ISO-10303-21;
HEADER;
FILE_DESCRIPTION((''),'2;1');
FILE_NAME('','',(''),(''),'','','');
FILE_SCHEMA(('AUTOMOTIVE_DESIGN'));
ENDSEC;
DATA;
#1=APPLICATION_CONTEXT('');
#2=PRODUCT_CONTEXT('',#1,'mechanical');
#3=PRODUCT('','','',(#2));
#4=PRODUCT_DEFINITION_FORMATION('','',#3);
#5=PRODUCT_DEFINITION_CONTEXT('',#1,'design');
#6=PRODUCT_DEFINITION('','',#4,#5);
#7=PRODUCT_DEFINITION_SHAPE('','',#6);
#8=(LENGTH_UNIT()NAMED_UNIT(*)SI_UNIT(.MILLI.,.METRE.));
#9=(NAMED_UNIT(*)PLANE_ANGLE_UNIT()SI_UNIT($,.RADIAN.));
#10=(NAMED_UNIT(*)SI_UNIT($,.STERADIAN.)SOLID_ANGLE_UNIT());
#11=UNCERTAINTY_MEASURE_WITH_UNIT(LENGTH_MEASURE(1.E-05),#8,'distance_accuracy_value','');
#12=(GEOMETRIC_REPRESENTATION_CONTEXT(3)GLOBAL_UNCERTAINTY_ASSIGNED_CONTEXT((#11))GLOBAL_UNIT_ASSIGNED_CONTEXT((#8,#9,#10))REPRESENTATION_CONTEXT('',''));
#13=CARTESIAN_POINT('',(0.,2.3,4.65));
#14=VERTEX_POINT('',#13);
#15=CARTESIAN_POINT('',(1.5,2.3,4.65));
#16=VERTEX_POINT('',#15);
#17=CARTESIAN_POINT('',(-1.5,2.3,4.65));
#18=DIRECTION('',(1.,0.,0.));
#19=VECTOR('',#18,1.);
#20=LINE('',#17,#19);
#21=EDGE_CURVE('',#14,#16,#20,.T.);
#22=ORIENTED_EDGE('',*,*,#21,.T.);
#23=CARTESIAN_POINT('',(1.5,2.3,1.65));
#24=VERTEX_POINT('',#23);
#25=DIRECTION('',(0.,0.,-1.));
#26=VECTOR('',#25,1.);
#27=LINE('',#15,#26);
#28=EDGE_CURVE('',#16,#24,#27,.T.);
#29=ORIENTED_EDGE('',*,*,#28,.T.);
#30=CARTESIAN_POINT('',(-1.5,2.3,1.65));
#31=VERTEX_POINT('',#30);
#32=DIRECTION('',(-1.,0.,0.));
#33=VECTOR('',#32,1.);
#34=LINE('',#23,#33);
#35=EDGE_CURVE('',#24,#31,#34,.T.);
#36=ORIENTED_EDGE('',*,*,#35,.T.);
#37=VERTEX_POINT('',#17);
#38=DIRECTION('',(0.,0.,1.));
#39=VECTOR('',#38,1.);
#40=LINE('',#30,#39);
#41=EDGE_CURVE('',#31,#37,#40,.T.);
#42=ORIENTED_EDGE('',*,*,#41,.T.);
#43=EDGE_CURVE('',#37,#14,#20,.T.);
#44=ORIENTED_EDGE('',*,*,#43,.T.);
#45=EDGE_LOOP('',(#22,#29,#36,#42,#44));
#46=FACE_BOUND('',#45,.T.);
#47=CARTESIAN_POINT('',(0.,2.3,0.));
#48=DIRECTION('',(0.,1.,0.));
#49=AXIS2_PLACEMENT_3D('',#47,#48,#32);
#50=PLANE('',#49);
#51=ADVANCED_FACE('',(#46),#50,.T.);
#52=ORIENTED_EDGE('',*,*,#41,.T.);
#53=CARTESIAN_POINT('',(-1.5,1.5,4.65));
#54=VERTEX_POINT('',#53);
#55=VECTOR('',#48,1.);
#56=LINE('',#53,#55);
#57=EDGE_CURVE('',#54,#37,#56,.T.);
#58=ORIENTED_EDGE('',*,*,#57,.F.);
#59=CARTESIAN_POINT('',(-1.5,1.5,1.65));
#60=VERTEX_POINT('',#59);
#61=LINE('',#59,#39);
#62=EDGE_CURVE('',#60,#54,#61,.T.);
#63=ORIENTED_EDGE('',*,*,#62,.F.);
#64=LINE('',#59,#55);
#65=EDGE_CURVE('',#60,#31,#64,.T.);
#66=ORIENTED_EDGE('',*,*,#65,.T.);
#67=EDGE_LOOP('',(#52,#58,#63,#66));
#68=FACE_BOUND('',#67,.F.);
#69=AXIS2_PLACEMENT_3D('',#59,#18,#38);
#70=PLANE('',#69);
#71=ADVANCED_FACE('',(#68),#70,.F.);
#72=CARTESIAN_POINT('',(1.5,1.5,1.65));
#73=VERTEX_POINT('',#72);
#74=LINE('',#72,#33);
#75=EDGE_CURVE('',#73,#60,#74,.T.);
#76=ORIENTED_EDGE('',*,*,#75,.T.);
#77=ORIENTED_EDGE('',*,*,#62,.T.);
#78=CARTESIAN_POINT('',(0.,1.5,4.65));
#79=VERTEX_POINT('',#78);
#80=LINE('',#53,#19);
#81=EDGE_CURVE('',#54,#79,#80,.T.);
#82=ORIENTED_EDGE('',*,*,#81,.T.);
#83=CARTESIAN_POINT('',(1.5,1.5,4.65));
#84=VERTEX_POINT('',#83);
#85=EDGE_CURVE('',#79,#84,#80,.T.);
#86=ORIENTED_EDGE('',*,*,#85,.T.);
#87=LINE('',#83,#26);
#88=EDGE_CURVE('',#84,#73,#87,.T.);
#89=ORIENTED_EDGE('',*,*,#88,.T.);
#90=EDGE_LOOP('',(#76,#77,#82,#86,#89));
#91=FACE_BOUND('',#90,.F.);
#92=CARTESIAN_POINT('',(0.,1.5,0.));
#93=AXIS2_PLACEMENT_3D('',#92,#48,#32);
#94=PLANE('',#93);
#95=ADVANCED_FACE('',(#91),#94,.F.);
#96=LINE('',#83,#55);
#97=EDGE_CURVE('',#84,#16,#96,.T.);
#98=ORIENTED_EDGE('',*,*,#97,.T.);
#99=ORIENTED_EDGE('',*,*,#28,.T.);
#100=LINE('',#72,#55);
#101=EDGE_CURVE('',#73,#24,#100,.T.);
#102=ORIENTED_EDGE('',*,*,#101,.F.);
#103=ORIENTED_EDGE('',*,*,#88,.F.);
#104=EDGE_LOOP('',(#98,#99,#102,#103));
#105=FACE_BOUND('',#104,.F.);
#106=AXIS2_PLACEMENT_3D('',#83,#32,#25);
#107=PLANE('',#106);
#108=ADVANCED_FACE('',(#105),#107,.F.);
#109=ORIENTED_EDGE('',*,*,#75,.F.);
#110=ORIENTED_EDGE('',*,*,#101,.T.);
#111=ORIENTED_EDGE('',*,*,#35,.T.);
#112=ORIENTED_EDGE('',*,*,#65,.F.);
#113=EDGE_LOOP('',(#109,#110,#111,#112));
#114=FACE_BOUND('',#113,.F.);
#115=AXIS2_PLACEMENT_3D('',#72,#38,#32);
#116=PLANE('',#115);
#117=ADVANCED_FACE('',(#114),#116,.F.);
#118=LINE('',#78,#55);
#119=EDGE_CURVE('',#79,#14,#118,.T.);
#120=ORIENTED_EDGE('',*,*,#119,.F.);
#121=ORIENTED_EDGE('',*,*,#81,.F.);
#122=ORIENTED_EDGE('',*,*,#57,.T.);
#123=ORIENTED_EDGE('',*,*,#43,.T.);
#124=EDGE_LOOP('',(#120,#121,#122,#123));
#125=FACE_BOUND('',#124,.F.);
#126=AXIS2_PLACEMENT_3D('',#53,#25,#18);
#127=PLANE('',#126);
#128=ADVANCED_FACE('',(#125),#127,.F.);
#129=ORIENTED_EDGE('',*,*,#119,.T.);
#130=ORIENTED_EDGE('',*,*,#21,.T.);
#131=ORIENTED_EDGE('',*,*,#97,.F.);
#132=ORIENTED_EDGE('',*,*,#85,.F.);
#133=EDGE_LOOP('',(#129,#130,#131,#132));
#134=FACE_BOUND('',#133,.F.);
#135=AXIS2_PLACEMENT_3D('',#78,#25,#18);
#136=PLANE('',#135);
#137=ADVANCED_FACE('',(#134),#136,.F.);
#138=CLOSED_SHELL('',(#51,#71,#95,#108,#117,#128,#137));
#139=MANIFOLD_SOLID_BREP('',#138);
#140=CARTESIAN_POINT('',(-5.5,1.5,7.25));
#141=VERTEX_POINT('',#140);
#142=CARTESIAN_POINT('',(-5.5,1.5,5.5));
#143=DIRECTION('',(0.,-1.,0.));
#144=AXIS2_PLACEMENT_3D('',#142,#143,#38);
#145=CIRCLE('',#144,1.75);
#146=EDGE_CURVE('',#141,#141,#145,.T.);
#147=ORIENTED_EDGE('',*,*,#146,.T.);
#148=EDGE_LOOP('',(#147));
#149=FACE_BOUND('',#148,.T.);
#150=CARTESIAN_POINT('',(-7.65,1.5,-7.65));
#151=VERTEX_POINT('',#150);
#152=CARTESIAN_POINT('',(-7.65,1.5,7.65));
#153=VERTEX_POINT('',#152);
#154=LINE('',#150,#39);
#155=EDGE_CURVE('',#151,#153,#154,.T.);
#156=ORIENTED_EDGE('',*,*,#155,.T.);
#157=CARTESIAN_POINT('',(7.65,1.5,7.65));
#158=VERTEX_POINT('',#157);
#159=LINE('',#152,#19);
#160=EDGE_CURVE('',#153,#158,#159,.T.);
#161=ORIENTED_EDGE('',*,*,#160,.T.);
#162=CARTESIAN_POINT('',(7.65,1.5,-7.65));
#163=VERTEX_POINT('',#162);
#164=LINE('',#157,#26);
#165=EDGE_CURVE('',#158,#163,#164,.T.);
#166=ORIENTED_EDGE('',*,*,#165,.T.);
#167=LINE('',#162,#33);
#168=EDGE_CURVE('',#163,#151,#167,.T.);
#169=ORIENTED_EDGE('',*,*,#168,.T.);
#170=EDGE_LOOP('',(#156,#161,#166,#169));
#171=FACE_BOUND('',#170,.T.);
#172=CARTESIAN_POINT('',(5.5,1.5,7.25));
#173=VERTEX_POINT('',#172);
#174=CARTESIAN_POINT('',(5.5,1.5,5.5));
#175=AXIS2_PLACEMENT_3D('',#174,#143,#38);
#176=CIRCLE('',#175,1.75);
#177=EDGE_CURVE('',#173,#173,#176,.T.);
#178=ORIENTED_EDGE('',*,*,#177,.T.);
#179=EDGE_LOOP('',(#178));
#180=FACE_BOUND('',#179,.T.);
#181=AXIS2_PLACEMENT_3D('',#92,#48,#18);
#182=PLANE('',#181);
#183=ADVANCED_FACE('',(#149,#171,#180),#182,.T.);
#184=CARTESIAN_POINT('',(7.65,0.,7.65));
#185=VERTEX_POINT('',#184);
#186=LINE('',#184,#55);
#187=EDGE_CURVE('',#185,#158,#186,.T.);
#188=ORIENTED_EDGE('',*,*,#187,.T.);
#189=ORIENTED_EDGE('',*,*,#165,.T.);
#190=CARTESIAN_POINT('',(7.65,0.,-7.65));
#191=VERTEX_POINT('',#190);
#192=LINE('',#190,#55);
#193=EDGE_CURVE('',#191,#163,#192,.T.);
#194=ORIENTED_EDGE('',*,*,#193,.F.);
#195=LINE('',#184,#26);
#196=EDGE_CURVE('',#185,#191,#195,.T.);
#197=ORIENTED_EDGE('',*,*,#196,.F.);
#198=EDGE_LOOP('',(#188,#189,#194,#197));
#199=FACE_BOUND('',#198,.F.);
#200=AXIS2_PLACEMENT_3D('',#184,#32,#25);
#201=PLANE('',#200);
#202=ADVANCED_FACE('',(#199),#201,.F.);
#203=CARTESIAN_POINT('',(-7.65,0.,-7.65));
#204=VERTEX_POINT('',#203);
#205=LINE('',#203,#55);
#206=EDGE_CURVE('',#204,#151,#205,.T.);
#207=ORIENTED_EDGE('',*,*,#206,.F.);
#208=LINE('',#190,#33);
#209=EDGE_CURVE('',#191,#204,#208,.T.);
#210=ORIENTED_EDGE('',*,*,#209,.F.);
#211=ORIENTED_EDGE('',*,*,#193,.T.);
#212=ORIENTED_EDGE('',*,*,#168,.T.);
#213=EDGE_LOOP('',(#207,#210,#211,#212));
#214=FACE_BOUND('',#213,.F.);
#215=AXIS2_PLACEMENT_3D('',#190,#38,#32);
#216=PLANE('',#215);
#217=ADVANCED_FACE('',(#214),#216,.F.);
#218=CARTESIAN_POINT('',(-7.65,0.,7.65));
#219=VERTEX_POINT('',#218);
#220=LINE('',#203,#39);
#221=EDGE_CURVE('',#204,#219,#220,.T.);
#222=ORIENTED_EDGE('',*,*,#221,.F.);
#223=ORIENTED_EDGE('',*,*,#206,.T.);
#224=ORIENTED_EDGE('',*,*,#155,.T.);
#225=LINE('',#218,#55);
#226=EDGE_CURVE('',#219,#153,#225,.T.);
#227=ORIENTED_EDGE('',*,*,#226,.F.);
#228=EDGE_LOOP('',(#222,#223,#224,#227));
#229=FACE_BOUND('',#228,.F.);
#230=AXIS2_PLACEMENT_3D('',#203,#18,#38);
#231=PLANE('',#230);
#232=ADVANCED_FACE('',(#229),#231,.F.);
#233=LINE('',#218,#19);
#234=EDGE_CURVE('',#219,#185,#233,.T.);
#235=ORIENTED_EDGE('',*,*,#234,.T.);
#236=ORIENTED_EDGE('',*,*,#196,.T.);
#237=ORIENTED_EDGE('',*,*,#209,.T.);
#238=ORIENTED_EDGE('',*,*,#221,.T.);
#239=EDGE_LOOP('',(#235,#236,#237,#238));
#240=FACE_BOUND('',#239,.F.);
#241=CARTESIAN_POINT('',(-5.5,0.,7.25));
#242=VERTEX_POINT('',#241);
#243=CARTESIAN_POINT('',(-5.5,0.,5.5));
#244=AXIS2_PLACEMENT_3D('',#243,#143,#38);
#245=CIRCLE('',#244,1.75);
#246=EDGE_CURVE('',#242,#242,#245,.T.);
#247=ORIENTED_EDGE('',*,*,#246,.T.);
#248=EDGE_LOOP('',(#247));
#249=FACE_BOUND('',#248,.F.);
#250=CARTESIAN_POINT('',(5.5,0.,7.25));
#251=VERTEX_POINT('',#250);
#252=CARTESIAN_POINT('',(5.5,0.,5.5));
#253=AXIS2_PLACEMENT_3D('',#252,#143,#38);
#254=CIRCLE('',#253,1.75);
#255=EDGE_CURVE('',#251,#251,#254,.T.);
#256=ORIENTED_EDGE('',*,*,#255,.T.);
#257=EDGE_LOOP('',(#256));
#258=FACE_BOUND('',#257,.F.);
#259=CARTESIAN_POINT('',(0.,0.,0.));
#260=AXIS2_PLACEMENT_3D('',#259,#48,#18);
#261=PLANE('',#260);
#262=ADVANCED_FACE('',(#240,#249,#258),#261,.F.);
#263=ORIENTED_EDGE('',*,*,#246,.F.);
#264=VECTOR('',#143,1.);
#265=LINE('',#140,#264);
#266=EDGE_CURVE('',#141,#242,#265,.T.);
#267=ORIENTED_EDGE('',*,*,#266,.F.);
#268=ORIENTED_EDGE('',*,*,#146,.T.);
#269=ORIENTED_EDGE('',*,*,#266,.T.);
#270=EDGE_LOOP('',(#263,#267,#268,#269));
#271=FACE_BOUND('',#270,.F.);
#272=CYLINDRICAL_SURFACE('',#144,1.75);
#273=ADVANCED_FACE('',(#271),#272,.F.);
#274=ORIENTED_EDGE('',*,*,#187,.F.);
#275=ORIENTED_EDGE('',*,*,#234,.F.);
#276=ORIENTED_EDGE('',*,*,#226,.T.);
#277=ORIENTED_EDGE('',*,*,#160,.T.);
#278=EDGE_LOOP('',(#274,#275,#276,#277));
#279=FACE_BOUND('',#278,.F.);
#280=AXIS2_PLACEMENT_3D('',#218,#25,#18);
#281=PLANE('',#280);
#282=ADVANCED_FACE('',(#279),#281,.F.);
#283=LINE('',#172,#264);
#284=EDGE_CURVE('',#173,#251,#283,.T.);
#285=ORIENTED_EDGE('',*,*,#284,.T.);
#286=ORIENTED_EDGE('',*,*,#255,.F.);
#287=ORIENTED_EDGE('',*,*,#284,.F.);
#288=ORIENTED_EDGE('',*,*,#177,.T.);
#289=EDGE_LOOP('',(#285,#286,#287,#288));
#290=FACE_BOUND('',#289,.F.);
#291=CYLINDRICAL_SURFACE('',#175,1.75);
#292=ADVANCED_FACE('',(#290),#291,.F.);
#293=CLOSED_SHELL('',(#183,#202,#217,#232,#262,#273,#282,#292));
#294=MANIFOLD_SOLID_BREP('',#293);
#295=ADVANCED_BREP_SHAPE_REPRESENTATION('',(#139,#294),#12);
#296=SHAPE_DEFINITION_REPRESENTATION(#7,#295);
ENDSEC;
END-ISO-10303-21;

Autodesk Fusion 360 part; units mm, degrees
sketch "Sketch1" plane through (0, 0, 0) normal (0, 1, 0) x (1, 0, 0)
  line L0 (7.65, 7.65) -> (-7.65, 7.65)
  line L1 (-7.65, 7.65) -> (-7.65, -7.65)
  line L2 (-7.65, -7.65) -> (7.65, -7.65)
  line L3 (7.65, -7.65) -> (7.65, 7.65)
  line L4 (7.65, 7.65) -> (-7.65, -7.65) construction
  line L5 (-7.65, 7.65) -> (7.65, -7.65) construction
  dimension "d1" = 15.3
  dimension "d2" = 15.3
extrude "Extrude1" add sketch "Sketch1" along normal blind 1.5 makes body 1
hole "Hole1" at (-5.5, 1.5, 5.5) direction (0, -1, 0) diameter 3.5 depth 3.5 tip angle 118 bodies 1
hole "Hole2" at (5.5, 1.5, 5.5) direction (0, -1, 0) diameter 3.5 depth 3.5 tip angle 118 bodies 1
sketch "Sketch2" plane through (0, 1.5, 0) normal (0, 1, 0) x (-1, 0, 0)
  circle A0 centre (-5.5, 5.5) radius 1.75
  circle A1 centre (5.5, 5.5) radius 1.75
  line L0 (-7.65, 7.65) -> (-7.65, -7.65)
  line L1 (-7.65, -7.65) -> (7.65, -7.65)
  line L2 (7.65, -7.65) -> (7.65, 7.65)
  line L3 (7.65, 7.65) -> (-7.65, 7.65)
  line L4 (0, 7.65) -> (0, 4.65)
  line L5 (0, 4.65) -> (0, 3.15)
  line L6 (-1.5, 1.65) -> (1.5, 1.65)
  line L7 (1.5, 1.65) -> (1.5, 4.65)
  line L8 (1.5, 4.65) -> (-1.5, 4.65)
  line L9 (-1.5, 4.65) -> (-1.5, 1.65)
  line L10 (-1.5, 1.65) -> (1.5, 4.65) construction
  line L11 (1.5, 1.65) -> (-1.5, 4.65) construction
  point P0 (0, 3.15)
  dimension "d15" = 3
  dimension "d16" = 1.5
  dimension "d17" = 3
  dimension "d18" = 3
extrude "Extrude2" add sketch "Sketch2" along normal blind 0.8 separate body contours L6 L7 L8 L9 makes body 2
